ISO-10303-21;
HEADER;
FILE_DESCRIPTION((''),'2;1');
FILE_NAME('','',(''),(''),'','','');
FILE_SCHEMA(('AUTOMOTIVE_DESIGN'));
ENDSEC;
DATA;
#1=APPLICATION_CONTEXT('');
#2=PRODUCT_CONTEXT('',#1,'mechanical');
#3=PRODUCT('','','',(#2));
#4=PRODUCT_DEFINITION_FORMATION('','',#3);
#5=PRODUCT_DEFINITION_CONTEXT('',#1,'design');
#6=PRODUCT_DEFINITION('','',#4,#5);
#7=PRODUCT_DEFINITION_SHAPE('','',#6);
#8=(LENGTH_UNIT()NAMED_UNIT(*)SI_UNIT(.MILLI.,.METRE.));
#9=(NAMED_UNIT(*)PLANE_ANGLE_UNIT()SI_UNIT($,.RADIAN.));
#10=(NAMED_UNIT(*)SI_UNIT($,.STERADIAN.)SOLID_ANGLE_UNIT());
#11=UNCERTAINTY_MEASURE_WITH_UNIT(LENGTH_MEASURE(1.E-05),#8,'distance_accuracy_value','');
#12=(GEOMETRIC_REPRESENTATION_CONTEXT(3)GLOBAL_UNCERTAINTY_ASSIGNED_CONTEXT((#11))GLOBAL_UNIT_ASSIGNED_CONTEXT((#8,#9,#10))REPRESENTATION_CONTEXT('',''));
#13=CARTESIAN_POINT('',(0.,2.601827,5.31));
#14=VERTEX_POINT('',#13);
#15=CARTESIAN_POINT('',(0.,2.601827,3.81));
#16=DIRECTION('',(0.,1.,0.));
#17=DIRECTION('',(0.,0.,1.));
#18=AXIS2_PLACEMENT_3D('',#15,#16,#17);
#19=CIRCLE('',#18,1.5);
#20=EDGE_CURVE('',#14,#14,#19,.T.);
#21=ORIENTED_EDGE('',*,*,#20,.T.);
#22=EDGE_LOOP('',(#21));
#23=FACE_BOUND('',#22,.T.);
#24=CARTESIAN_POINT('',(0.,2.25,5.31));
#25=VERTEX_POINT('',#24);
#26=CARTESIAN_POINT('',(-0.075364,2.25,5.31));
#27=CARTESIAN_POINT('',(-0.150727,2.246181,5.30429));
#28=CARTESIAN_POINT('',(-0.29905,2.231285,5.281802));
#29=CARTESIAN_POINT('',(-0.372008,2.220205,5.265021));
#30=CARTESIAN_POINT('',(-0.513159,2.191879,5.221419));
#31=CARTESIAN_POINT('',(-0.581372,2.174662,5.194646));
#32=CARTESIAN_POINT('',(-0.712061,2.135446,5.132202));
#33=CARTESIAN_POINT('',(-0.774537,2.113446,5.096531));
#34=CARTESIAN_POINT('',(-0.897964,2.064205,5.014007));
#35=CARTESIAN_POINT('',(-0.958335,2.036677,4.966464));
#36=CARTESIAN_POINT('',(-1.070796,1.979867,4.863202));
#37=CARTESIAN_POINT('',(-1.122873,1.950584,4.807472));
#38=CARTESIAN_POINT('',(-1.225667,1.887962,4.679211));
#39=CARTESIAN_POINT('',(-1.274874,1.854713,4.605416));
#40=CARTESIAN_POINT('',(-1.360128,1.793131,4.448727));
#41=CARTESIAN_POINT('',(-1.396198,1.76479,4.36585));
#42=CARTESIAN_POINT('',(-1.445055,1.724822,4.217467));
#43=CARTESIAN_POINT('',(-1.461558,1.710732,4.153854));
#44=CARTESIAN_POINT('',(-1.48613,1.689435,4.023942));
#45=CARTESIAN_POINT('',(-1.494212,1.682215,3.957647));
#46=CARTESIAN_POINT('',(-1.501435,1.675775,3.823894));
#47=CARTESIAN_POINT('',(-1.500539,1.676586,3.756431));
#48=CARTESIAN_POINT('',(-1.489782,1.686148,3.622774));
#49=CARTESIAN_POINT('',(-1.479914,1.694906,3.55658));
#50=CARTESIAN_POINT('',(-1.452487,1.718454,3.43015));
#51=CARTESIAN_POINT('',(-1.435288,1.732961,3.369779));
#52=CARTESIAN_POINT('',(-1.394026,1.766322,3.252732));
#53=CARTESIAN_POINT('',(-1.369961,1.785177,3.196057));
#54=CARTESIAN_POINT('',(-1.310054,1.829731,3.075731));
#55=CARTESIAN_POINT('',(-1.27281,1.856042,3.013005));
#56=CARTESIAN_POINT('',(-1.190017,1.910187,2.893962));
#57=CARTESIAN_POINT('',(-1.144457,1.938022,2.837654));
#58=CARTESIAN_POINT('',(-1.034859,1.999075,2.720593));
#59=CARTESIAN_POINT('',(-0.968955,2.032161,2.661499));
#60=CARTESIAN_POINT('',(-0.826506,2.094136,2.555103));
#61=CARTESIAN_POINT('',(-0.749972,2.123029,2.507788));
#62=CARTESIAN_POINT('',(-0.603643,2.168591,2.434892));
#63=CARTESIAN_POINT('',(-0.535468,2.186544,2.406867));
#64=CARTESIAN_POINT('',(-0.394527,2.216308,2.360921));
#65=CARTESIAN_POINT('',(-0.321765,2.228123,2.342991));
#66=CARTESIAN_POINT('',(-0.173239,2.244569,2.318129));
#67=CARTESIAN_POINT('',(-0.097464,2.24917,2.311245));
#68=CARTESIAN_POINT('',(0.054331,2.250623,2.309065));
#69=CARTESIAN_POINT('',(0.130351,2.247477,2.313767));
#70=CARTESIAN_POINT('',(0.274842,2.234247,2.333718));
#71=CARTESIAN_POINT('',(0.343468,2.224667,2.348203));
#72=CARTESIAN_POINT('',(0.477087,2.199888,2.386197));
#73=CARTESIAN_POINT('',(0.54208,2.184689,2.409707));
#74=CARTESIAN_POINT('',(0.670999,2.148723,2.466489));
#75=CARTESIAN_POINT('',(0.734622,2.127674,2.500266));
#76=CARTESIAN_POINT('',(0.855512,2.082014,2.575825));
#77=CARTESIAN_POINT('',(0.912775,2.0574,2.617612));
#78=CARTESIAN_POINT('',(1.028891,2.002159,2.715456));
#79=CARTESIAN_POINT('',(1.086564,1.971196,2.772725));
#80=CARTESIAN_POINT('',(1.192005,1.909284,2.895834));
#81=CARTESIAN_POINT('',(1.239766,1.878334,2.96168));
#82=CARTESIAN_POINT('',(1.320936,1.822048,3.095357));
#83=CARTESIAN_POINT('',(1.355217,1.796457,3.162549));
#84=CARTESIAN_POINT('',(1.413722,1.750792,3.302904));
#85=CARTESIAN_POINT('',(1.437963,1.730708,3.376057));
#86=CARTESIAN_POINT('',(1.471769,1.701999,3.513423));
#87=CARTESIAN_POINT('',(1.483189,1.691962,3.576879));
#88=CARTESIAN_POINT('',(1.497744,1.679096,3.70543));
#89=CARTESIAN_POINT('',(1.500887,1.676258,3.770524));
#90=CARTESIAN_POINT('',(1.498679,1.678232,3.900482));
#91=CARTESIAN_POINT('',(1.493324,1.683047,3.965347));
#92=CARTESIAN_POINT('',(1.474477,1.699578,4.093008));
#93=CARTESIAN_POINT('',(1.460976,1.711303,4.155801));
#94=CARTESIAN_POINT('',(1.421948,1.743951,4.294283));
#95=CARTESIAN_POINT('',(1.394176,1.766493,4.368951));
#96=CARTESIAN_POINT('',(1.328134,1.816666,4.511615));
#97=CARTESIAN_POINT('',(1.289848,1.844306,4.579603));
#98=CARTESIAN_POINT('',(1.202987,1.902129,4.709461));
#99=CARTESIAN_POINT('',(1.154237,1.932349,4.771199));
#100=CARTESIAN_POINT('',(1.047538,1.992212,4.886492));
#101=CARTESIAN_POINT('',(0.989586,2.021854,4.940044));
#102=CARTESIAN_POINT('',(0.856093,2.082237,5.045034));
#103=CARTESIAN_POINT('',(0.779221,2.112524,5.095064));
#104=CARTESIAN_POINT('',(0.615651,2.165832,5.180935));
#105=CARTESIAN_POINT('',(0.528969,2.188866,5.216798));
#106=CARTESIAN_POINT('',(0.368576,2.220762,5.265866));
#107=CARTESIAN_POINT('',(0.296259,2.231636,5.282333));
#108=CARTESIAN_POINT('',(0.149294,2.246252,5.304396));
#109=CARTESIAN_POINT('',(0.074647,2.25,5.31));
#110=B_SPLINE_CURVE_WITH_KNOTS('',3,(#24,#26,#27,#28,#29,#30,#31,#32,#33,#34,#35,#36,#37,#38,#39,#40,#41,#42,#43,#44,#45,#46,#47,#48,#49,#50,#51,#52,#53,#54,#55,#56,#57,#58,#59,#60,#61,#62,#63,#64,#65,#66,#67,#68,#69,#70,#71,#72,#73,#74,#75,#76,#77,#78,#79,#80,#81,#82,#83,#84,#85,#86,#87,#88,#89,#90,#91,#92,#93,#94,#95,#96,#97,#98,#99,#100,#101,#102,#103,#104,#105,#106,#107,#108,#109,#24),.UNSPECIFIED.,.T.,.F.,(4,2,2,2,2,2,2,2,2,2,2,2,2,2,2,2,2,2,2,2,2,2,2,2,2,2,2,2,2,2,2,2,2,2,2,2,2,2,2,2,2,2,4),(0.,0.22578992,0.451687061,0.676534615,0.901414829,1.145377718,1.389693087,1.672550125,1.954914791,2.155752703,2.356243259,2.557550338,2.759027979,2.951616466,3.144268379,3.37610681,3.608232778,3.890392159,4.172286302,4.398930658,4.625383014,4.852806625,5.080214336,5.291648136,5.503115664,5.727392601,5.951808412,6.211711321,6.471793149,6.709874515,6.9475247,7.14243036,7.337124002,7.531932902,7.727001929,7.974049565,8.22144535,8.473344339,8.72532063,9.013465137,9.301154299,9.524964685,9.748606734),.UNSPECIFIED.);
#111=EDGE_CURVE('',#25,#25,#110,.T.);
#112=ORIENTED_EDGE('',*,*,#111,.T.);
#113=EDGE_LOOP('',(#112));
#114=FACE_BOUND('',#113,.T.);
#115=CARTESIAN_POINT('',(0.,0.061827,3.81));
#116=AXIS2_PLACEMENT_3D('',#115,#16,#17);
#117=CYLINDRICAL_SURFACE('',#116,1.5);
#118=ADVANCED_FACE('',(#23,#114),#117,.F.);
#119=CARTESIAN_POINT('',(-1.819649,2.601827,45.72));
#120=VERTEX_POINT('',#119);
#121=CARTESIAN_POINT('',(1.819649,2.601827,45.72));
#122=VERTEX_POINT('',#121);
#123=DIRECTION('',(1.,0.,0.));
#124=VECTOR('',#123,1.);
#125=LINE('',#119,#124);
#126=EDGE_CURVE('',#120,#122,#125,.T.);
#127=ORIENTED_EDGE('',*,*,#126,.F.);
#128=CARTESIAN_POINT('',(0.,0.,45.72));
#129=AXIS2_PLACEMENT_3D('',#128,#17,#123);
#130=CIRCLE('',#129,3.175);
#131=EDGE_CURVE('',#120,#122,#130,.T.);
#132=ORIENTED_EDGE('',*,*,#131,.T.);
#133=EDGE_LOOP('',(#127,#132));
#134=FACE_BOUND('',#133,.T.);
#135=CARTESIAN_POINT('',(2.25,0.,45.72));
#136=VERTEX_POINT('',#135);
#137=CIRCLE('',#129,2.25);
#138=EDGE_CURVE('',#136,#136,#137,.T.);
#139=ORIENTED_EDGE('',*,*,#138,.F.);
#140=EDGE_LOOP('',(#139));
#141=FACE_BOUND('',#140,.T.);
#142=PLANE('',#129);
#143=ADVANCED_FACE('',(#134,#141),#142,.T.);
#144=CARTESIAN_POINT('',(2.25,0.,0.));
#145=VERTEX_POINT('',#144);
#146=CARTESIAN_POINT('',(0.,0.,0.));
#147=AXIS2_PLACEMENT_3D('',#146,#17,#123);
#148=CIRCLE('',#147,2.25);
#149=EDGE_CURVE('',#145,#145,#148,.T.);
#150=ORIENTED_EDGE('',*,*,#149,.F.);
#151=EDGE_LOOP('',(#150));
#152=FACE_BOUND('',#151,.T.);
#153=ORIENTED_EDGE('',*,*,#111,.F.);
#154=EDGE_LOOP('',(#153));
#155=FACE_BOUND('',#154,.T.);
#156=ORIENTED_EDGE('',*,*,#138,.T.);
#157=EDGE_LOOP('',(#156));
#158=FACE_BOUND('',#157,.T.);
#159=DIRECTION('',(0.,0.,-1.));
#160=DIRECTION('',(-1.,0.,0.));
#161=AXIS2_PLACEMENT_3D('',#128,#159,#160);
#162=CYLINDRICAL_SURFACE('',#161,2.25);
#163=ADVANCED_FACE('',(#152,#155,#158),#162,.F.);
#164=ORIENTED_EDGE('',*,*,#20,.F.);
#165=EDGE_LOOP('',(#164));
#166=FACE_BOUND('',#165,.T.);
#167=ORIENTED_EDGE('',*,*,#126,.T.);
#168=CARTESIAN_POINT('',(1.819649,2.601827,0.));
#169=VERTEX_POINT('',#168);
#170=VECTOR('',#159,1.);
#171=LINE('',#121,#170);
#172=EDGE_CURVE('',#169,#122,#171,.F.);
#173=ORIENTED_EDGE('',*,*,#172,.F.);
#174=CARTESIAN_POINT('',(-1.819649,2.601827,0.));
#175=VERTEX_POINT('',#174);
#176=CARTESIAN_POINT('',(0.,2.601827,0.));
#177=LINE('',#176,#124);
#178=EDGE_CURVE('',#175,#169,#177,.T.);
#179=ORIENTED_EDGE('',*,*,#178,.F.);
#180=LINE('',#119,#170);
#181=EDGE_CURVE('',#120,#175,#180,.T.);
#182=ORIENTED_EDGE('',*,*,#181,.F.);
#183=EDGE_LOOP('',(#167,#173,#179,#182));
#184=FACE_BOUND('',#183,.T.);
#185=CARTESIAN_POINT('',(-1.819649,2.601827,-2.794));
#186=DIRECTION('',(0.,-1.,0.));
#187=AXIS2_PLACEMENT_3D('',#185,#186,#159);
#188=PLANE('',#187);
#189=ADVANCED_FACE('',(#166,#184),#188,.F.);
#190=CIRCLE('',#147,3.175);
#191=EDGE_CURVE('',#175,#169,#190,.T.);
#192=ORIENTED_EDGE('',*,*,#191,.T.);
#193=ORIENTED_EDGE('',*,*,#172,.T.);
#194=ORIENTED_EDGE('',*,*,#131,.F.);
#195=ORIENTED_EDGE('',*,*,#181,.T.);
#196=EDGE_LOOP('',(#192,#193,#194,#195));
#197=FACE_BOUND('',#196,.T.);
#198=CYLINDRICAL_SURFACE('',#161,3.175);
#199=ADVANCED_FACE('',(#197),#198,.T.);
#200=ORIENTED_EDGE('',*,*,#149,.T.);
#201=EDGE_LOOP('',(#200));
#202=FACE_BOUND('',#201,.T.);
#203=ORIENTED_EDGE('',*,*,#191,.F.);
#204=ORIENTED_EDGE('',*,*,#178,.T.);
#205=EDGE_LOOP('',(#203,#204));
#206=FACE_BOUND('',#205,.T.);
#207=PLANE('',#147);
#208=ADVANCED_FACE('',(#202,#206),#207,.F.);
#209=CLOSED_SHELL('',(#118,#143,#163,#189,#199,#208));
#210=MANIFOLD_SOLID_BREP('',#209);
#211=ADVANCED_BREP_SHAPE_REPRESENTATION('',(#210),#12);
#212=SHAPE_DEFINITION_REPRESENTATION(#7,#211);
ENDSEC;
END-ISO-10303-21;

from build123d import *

# Parameters (mm, degrees)
SKETCH1_R           = 3.175
SKETCH1_R_2         = 2.25
BOSS_EXTRUDE1_DEPTH = 45.72
SKETCH2_W           = 3.810610938
SKETCH2_H           = 3.347268665
CUT_EXTRUDE1_DEPTH  = 48.514
SKETCH3_R           = 1.5
CUT_EXTRUDE2_DEPTH  = 2.54


with BuildPart() as part:
    # Sketch1 → Boss-Extrude1 (new body)
    with BuildSketch(Plane.XY):
        Circle(SKETCH1_R)
        Circle(SKETCH1_R_2, mode=Mode.SUBTRACT)
    extrude(amount=BOSS_EXTRUDE1_DEPTH)

    # Sketch2 → Cut-Extrude1 (cut)
    with BuildSketch(Plane.XY.offset(45.72)):
        with Locations((0.085656613, 4.275461199)):
            Rectangle(SKETCH2_W, SKETCH2_H)
    extrude(amount=-CUT_EXTRUDE1_DEPTH, mode=Mode.SUBTRACT)

    # Sketch3 → Cut-Extrude2 (cut)
    with BuildSketch(Plane(origin=(0, 2.601826866, 0), x_dir=(1, 0, 0), z_dir=(0, 1, 0))):
        with Locations(Location((0, -3.81, 0), (0, 0, 270))):
            Circle(SKETCH3_R)
    extrude(amount=-CUT_EXTRUDE2_DEPTH, mode=Mode.SUBTRACT)


solid = part.part
